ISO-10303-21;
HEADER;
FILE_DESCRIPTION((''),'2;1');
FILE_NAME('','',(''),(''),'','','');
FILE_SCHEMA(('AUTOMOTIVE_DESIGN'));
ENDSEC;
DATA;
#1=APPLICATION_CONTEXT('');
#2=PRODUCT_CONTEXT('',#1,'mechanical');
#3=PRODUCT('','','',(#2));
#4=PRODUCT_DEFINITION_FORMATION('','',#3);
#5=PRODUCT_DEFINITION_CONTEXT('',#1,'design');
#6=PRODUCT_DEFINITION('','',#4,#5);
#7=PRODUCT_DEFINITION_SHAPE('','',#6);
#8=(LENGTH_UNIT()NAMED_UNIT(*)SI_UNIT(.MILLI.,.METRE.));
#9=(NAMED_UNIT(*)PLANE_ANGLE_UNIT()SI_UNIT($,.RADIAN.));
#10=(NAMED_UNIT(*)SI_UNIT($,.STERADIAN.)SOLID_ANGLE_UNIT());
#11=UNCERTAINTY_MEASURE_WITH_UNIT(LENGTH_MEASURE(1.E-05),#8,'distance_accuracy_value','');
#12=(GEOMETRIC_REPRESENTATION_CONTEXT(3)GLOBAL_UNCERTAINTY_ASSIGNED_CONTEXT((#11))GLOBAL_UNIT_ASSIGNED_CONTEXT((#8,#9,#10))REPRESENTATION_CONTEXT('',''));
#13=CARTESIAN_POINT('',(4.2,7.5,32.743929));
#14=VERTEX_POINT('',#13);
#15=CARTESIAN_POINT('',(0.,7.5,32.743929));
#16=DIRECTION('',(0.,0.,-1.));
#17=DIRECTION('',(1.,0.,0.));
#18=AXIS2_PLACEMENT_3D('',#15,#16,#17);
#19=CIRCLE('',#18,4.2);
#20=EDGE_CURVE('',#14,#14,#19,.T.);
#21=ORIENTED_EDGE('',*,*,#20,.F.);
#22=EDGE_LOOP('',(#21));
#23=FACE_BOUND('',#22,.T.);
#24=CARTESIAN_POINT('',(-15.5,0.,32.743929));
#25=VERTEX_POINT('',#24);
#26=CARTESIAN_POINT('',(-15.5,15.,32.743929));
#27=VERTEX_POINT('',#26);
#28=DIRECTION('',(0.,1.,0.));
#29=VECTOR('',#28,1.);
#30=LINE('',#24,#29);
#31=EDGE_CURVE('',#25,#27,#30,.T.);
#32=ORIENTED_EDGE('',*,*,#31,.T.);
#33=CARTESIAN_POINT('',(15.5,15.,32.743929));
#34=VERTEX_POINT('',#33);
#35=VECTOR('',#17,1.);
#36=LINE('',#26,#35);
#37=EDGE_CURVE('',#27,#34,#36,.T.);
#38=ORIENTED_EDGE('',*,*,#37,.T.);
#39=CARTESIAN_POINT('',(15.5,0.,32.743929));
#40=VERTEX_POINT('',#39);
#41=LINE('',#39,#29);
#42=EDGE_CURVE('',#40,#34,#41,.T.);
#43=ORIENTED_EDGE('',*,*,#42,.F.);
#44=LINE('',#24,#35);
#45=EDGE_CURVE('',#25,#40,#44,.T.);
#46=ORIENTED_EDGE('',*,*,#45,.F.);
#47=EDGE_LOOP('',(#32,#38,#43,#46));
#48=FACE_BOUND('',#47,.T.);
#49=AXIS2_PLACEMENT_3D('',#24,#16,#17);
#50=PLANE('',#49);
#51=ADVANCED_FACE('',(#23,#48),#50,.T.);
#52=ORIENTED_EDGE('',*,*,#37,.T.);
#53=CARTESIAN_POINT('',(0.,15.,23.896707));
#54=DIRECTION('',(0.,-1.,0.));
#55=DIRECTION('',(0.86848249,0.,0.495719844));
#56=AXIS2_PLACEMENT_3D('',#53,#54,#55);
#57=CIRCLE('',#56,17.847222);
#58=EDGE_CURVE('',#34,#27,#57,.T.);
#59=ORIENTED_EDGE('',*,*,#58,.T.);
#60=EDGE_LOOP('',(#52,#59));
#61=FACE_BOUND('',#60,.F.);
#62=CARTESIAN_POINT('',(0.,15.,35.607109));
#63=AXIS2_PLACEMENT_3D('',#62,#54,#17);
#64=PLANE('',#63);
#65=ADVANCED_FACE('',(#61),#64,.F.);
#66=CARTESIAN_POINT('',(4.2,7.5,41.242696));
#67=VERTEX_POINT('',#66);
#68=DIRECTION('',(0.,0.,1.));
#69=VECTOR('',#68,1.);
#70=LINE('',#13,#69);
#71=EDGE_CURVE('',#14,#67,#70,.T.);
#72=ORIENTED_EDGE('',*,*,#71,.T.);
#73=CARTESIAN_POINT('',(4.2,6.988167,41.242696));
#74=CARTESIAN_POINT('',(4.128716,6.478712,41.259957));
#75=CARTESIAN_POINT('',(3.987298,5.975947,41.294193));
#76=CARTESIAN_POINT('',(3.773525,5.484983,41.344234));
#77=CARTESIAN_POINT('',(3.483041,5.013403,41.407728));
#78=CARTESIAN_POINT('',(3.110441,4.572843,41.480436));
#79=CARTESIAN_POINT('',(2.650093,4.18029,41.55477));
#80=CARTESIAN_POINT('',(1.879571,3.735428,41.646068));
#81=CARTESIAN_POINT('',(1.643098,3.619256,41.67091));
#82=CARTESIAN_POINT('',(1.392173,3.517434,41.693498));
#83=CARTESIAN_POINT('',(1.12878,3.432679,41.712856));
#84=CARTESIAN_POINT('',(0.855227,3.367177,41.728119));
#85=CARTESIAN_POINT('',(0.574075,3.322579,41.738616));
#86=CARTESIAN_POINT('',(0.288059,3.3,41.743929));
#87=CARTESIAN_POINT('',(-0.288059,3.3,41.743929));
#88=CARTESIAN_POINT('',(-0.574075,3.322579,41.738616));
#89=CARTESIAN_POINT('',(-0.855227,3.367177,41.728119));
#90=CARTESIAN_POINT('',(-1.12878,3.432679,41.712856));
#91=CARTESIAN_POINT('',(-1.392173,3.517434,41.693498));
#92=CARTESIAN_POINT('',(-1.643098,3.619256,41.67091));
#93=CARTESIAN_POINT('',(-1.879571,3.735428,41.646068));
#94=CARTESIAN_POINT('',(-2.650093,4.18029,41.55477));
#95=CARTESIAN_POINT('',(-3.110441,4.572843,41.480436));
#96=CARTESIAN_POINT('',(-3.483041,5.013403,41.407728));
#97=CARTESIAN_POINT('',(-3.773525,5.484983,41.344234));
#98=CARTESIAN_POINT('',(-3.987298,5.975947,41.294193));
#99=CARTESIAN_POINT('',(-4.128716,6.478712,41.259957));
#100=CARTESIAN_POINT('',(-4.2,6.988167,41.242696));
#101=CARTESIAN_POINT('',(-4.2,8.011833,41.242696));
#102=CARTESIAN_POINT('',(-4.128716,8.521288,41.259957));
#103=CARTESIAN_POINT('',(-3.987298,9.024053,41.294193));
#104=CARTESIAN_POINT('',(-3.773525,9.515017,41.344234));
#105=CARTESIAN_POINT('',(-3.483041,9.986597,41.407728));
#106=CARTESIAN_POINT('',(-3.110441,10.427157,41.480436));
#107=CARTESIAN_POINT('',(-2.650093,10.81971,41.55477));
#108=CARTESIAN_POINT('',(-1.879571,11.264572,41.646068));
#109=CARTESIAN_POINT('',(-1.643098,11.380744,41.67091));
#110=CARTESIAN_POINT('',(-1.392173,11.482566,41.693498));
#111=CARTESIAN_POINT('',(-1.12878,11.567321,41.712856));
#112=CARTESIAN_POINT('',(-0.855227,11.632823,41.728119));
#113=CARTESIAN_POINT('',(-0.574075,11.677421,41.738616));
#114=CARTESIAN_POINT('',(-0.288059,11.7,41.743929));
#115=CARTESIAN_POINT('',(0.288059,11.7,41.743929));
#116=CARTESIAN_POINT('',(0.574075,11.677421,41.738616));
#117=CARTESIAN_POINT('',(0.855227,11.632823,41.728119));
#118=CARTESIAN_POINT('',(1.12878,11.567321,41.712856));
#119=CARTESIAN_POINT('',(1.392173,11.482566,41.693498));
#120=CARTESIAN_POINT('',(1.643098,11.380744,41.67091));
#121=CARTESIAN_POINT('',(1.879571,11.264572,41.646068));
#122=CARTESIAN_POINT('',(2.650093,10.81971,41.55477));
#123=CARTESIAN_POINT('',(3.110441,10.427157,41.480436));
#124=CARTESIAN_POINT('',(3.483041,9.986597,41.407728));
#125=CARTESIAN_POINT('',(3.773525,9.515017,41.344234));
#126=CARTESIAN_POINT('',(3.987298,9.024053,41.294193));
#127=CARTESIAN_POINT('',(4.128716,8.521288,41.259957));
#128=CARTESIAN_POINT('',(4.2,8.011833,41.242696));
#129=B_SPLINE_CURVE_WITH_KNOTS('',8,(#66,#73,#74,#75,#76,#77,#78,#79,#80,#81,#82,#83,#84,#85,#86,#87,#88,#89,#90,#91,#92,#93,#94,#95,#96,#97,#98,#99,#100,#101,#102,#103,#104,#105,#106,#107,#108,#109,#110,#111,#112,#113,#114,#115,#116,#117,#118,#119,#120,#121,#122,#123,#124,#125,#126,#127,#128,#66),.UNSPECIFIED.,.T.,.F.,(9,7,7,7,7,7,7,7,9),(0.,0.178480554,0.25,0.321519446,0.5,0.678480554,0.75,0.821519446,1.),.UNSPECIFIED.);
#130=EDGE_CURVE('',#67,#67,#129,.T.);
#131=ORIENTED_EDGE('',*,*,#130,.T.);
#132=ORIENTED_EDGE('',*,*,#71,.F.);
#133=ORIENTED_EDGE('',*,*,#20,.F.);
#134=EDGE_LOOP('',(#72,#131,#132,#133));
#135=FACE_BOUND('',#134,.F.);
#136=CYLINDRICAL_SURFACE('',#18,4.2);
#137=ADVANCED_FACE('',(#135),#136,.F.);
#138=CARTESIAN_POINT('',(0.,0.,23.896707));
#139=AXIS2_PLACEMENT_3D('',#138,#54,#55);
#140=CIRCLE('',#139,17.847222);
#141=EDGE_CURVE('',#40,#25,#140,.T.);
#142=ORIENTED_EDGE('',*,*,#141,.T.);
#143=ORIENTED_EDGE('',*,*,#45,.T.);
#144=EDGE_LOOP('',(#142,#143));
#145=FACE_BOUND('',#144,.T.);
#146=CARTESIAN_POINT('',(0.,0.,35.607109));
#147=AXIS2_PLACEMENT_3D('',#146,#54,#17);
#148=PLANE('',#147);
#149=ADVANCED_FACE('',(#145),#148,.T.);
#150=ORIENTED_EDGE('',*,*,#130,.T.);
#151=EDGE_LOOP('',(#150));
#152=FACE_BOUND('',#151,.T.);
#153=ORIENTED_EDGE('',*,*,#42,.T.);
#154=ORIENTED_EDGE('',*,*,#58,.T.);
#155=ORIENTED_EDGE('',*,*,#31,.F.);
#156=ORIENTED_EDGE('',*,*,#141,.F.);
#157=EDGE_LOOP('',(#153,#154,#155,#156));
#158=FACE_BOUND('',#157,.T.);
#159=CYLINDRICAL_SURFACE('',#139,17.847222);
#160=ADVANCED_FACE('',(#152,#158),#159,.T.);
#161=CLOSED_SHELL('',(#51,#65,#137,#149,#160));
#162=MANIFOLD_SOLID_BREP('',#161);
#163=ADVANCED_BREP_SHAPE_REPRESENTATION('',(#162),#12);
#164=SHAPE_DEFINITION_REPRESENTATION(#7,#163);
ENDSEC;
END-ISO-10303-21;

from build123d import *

# Parameters (mm, degrees)
F1_DEPTH = 15
F2_R     = 4.2
F3_DEPTH = 25


with BuildPart() as f1:
    # F0 (on Front) → F1 (new body)
    with BuildSketch(Plane.XZ):
        with BuildLine():
            Line((0, 32.743929), (15.5, 32.743929))
            ThreePointArc((15.5, 32.743929), (0, 41.743929), (-15.5, 32.743929))
            Line((-15.5, 32.743929), (0, 32.743929))
        make_face()
    extrude(amount=-F1_DEPTH)

    # F2 (on face) → F3 (cut)
    with BuildSketch(Plane(origin=(0, 0, 32.743929), x_dir=(1, 0, 0), z_dir=(0, 0, -1))):
        with Locations((0, -7.5)):
            Circle(F2_R)
    extrude(amount=-F3_DEPTH, mode=Mode.SUBTRACT)


solid = f1.part
